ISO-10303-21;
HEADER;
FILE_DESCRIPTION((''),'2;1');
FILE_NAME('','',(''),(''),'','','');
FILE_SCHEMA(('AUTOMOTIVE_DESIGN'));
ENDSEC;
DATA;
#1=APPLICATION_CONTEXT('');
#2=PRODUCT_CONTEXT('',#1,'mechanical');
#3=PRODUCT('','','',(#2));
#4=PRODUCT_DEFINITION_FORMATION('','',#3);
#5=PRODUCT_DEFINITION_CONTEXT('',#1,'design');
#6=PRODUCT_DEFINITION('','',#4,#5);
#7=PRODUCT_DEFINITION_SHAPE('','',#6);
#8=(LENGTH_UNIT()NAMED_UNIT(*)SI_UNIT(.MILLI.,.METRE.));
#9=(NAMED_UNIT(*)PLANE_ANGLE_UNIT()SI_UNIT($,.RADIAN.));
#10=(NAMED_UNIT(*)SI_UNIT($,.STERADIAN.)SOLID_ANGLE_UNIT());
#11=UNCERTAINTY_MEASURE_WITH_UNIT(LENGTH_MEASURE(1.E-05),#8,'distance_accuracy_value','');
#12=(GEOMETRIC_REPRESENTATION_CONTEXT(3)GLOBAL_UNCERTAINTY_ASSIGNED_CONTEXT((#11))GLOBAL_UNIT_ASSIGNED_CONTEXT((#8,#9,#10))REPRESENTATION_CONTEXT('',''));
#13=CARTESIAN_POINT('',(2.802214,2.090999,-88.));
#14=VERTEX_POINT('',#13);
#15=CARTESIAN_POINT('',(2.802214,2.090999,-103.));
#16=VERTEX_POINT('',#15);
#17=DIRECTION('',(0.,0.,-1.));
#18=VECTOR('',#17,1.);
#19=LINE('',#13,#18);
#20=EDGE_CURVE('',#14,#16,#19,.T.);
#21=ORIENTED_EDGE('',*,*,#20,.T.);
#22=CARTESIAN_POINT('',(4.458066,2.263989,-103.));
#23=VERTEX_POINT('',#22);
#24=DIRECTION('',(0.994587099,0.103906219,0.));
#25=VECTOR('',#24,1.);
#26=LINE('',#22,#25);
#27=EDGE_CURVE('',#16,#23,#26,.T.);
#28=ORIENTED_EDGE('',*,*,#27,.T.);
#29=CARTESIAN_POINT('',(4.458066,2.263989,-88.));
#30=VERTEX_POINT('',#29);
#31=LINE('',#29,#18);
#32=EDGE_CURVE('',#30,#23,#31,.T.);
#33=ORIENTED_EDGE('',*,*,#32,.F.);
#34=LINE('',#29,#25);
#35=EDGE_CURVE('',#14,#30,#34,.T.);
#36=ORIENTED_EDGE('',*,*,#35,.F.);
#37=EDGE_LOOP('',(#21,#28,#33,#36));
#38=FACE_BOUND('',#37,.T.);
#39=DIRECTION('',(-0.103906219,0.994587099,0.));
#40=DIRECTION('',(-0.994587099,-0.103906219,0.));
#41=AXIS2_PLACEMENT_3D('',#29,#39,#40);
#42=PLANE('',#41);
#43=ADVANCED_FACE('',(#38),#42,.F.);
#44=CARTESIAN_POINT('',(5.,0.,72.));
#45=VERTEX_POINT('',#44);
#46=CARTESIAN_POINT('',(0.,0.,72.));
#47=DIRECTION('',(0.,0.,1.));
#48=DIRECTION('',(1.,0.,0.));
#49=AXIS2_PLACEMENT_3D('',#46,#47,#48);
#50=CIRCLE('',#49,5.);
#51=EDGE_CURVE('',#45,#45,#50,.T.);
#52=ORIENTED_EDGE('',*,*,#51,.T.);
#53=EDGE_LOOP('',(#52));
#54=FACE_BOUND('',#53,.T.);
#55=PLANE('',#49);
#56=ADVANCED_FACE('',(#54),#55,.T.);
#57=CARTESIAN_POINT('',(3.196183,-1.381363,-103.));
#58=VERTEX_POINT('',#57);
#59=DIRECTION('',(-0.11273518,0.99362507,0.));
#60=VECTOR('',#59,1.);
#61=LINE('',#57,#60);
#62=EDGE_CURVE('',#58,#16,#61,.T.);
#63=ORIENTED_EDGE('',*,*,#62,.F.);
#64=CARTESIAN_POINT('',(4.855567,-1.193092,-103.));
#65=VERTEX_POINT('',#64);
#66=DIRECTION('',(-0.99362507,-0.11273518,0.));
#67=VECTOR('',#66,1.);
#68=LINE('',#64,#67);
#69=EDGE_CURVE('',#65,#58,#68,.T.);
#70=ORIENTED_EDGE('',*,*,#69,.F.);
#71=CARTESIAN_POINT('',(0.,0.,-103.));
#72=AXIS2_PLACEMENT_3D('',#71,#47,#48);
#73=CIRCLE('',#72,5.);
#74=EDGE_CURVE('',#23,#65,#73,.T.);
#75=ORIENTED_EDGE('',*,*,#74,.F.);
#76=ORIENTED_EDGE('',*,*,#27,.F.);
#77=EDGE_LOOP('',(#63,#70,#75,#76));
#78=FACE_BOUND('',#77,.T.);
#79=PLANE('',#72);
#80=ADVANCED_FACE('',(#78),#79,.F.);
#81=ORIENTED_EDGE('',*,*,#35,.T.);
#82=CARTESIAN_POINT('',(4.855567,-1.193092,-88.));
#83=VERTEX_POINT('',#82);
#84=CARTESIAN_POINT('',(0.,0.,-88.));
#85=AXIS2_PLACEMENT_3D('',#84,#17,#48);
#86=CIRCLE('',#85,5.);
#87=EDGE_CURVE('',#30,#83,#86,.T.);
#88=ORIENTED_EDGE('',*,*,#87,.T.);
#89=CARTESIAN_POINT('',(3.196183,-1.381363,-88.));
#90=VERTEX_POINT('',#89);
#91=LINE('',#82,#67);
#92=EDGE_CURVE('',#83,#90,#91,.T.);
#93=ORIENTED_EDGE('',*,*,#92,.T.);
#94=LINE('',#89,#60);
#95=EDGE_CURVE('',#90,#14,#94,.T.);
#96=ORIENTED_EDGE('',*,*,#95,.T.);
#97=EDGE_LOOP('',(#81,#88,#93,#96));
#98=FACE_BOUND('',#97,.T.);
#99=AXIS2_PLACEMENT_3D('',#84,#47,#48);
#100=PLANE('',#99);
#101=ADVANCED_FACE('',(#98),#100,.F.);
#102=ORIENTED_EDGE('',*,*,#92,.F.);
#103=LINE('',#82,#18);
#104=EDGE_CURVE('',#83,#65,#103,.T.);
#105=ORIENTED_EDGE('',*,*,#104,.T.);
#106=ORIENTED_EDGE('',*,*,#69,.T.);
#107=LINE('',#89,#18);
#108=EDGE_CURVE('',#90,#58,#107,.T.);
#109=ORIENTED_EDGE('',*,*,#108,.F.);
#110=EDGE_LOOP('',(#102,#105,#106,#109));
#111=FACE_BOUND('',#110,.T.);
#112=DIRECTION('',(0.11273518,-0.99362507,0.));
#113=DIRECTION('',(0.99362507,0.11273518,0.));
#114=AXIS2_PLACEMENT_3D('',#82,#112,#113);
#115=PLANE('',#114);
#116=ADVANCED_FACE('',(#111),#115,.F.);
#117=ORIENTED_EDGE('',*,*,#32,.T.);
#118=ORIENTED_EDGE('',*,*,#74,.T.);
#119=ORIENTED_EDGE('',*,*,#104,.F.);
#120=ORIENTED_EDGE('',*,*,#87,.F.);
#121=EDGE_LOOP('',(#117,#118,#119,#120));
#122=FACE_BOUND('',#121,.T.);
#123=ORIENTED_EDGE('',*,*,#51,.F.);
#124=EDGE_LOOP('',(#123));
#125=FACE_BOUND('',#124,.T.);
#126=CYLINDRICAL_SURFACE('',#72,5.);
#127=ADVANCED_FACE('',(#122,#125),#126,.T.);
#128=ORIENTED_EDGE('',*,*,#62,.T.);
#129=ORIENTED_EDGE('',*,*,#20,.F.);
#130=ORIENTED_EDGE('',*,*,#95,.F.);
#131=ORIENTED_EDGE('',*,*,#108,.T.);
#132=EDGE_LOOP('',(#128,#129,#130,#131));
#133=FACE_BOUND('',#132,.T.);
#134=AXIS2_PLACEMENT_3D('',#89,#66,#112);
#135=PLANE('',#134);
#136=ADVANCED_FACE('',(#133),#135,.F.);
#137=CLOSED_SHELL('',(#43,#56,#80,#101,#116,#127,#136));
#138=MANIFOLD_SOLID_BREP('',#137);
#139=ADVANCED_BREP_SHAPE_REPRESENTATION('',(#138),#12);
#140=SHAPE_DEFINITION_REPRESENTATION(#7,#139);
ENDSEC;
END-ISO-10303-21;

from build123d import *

# Parameters (mm, degrees)
SKETCH1_R                = 5
BOSS_EXTRUDE1_DEPTH      = 72
BOSS_EXTRUDE1_DEPTH_BACK = 103
CUT_EXTRUDE1_DEPTH       = 15


with BuildPart() as part:
    # Sketch1 → Boss-Extrude1 (new body, two sides)
    with BuildSketch(Plane.XY) as boss_extrude1_sk:
        Circle(SKETCH1_R)
    extrude(amount=BOSS_EXTRUDE1_DEPTH)
    extrude(boss_extrude1_sk.sketch, amount=-BOSS_EXTRUDE1_DEPTH_BACK)

    # Sketch2 → Cut-Extrude1 (cut)
    with BuildSketch(Plane(origin=(0, 0, -103), x_dir=(-1, 0, 0), z_dir=(0, 0, -1))):
        with BuildLine():
            Line((-4.855567152, -1.193091626), (-3.196182545, -1.381362864))
            Line((-3.196182545, -1.381362864), (-2.802213635, 2.090999416))
            Line((-2.802213635, 2.090999416), (-4.458066071, 2.263989158))
            ThreePointArc((-4.458066071, 2.263989158), (-4.967272173, 0.571145479), (-4.855567152, -1.193091626))
        make_face()
    extrude(amount=-CUT_EXTRUDE1_DEPTH, mode=Mode.SUBTRACT)


solid = part.part
